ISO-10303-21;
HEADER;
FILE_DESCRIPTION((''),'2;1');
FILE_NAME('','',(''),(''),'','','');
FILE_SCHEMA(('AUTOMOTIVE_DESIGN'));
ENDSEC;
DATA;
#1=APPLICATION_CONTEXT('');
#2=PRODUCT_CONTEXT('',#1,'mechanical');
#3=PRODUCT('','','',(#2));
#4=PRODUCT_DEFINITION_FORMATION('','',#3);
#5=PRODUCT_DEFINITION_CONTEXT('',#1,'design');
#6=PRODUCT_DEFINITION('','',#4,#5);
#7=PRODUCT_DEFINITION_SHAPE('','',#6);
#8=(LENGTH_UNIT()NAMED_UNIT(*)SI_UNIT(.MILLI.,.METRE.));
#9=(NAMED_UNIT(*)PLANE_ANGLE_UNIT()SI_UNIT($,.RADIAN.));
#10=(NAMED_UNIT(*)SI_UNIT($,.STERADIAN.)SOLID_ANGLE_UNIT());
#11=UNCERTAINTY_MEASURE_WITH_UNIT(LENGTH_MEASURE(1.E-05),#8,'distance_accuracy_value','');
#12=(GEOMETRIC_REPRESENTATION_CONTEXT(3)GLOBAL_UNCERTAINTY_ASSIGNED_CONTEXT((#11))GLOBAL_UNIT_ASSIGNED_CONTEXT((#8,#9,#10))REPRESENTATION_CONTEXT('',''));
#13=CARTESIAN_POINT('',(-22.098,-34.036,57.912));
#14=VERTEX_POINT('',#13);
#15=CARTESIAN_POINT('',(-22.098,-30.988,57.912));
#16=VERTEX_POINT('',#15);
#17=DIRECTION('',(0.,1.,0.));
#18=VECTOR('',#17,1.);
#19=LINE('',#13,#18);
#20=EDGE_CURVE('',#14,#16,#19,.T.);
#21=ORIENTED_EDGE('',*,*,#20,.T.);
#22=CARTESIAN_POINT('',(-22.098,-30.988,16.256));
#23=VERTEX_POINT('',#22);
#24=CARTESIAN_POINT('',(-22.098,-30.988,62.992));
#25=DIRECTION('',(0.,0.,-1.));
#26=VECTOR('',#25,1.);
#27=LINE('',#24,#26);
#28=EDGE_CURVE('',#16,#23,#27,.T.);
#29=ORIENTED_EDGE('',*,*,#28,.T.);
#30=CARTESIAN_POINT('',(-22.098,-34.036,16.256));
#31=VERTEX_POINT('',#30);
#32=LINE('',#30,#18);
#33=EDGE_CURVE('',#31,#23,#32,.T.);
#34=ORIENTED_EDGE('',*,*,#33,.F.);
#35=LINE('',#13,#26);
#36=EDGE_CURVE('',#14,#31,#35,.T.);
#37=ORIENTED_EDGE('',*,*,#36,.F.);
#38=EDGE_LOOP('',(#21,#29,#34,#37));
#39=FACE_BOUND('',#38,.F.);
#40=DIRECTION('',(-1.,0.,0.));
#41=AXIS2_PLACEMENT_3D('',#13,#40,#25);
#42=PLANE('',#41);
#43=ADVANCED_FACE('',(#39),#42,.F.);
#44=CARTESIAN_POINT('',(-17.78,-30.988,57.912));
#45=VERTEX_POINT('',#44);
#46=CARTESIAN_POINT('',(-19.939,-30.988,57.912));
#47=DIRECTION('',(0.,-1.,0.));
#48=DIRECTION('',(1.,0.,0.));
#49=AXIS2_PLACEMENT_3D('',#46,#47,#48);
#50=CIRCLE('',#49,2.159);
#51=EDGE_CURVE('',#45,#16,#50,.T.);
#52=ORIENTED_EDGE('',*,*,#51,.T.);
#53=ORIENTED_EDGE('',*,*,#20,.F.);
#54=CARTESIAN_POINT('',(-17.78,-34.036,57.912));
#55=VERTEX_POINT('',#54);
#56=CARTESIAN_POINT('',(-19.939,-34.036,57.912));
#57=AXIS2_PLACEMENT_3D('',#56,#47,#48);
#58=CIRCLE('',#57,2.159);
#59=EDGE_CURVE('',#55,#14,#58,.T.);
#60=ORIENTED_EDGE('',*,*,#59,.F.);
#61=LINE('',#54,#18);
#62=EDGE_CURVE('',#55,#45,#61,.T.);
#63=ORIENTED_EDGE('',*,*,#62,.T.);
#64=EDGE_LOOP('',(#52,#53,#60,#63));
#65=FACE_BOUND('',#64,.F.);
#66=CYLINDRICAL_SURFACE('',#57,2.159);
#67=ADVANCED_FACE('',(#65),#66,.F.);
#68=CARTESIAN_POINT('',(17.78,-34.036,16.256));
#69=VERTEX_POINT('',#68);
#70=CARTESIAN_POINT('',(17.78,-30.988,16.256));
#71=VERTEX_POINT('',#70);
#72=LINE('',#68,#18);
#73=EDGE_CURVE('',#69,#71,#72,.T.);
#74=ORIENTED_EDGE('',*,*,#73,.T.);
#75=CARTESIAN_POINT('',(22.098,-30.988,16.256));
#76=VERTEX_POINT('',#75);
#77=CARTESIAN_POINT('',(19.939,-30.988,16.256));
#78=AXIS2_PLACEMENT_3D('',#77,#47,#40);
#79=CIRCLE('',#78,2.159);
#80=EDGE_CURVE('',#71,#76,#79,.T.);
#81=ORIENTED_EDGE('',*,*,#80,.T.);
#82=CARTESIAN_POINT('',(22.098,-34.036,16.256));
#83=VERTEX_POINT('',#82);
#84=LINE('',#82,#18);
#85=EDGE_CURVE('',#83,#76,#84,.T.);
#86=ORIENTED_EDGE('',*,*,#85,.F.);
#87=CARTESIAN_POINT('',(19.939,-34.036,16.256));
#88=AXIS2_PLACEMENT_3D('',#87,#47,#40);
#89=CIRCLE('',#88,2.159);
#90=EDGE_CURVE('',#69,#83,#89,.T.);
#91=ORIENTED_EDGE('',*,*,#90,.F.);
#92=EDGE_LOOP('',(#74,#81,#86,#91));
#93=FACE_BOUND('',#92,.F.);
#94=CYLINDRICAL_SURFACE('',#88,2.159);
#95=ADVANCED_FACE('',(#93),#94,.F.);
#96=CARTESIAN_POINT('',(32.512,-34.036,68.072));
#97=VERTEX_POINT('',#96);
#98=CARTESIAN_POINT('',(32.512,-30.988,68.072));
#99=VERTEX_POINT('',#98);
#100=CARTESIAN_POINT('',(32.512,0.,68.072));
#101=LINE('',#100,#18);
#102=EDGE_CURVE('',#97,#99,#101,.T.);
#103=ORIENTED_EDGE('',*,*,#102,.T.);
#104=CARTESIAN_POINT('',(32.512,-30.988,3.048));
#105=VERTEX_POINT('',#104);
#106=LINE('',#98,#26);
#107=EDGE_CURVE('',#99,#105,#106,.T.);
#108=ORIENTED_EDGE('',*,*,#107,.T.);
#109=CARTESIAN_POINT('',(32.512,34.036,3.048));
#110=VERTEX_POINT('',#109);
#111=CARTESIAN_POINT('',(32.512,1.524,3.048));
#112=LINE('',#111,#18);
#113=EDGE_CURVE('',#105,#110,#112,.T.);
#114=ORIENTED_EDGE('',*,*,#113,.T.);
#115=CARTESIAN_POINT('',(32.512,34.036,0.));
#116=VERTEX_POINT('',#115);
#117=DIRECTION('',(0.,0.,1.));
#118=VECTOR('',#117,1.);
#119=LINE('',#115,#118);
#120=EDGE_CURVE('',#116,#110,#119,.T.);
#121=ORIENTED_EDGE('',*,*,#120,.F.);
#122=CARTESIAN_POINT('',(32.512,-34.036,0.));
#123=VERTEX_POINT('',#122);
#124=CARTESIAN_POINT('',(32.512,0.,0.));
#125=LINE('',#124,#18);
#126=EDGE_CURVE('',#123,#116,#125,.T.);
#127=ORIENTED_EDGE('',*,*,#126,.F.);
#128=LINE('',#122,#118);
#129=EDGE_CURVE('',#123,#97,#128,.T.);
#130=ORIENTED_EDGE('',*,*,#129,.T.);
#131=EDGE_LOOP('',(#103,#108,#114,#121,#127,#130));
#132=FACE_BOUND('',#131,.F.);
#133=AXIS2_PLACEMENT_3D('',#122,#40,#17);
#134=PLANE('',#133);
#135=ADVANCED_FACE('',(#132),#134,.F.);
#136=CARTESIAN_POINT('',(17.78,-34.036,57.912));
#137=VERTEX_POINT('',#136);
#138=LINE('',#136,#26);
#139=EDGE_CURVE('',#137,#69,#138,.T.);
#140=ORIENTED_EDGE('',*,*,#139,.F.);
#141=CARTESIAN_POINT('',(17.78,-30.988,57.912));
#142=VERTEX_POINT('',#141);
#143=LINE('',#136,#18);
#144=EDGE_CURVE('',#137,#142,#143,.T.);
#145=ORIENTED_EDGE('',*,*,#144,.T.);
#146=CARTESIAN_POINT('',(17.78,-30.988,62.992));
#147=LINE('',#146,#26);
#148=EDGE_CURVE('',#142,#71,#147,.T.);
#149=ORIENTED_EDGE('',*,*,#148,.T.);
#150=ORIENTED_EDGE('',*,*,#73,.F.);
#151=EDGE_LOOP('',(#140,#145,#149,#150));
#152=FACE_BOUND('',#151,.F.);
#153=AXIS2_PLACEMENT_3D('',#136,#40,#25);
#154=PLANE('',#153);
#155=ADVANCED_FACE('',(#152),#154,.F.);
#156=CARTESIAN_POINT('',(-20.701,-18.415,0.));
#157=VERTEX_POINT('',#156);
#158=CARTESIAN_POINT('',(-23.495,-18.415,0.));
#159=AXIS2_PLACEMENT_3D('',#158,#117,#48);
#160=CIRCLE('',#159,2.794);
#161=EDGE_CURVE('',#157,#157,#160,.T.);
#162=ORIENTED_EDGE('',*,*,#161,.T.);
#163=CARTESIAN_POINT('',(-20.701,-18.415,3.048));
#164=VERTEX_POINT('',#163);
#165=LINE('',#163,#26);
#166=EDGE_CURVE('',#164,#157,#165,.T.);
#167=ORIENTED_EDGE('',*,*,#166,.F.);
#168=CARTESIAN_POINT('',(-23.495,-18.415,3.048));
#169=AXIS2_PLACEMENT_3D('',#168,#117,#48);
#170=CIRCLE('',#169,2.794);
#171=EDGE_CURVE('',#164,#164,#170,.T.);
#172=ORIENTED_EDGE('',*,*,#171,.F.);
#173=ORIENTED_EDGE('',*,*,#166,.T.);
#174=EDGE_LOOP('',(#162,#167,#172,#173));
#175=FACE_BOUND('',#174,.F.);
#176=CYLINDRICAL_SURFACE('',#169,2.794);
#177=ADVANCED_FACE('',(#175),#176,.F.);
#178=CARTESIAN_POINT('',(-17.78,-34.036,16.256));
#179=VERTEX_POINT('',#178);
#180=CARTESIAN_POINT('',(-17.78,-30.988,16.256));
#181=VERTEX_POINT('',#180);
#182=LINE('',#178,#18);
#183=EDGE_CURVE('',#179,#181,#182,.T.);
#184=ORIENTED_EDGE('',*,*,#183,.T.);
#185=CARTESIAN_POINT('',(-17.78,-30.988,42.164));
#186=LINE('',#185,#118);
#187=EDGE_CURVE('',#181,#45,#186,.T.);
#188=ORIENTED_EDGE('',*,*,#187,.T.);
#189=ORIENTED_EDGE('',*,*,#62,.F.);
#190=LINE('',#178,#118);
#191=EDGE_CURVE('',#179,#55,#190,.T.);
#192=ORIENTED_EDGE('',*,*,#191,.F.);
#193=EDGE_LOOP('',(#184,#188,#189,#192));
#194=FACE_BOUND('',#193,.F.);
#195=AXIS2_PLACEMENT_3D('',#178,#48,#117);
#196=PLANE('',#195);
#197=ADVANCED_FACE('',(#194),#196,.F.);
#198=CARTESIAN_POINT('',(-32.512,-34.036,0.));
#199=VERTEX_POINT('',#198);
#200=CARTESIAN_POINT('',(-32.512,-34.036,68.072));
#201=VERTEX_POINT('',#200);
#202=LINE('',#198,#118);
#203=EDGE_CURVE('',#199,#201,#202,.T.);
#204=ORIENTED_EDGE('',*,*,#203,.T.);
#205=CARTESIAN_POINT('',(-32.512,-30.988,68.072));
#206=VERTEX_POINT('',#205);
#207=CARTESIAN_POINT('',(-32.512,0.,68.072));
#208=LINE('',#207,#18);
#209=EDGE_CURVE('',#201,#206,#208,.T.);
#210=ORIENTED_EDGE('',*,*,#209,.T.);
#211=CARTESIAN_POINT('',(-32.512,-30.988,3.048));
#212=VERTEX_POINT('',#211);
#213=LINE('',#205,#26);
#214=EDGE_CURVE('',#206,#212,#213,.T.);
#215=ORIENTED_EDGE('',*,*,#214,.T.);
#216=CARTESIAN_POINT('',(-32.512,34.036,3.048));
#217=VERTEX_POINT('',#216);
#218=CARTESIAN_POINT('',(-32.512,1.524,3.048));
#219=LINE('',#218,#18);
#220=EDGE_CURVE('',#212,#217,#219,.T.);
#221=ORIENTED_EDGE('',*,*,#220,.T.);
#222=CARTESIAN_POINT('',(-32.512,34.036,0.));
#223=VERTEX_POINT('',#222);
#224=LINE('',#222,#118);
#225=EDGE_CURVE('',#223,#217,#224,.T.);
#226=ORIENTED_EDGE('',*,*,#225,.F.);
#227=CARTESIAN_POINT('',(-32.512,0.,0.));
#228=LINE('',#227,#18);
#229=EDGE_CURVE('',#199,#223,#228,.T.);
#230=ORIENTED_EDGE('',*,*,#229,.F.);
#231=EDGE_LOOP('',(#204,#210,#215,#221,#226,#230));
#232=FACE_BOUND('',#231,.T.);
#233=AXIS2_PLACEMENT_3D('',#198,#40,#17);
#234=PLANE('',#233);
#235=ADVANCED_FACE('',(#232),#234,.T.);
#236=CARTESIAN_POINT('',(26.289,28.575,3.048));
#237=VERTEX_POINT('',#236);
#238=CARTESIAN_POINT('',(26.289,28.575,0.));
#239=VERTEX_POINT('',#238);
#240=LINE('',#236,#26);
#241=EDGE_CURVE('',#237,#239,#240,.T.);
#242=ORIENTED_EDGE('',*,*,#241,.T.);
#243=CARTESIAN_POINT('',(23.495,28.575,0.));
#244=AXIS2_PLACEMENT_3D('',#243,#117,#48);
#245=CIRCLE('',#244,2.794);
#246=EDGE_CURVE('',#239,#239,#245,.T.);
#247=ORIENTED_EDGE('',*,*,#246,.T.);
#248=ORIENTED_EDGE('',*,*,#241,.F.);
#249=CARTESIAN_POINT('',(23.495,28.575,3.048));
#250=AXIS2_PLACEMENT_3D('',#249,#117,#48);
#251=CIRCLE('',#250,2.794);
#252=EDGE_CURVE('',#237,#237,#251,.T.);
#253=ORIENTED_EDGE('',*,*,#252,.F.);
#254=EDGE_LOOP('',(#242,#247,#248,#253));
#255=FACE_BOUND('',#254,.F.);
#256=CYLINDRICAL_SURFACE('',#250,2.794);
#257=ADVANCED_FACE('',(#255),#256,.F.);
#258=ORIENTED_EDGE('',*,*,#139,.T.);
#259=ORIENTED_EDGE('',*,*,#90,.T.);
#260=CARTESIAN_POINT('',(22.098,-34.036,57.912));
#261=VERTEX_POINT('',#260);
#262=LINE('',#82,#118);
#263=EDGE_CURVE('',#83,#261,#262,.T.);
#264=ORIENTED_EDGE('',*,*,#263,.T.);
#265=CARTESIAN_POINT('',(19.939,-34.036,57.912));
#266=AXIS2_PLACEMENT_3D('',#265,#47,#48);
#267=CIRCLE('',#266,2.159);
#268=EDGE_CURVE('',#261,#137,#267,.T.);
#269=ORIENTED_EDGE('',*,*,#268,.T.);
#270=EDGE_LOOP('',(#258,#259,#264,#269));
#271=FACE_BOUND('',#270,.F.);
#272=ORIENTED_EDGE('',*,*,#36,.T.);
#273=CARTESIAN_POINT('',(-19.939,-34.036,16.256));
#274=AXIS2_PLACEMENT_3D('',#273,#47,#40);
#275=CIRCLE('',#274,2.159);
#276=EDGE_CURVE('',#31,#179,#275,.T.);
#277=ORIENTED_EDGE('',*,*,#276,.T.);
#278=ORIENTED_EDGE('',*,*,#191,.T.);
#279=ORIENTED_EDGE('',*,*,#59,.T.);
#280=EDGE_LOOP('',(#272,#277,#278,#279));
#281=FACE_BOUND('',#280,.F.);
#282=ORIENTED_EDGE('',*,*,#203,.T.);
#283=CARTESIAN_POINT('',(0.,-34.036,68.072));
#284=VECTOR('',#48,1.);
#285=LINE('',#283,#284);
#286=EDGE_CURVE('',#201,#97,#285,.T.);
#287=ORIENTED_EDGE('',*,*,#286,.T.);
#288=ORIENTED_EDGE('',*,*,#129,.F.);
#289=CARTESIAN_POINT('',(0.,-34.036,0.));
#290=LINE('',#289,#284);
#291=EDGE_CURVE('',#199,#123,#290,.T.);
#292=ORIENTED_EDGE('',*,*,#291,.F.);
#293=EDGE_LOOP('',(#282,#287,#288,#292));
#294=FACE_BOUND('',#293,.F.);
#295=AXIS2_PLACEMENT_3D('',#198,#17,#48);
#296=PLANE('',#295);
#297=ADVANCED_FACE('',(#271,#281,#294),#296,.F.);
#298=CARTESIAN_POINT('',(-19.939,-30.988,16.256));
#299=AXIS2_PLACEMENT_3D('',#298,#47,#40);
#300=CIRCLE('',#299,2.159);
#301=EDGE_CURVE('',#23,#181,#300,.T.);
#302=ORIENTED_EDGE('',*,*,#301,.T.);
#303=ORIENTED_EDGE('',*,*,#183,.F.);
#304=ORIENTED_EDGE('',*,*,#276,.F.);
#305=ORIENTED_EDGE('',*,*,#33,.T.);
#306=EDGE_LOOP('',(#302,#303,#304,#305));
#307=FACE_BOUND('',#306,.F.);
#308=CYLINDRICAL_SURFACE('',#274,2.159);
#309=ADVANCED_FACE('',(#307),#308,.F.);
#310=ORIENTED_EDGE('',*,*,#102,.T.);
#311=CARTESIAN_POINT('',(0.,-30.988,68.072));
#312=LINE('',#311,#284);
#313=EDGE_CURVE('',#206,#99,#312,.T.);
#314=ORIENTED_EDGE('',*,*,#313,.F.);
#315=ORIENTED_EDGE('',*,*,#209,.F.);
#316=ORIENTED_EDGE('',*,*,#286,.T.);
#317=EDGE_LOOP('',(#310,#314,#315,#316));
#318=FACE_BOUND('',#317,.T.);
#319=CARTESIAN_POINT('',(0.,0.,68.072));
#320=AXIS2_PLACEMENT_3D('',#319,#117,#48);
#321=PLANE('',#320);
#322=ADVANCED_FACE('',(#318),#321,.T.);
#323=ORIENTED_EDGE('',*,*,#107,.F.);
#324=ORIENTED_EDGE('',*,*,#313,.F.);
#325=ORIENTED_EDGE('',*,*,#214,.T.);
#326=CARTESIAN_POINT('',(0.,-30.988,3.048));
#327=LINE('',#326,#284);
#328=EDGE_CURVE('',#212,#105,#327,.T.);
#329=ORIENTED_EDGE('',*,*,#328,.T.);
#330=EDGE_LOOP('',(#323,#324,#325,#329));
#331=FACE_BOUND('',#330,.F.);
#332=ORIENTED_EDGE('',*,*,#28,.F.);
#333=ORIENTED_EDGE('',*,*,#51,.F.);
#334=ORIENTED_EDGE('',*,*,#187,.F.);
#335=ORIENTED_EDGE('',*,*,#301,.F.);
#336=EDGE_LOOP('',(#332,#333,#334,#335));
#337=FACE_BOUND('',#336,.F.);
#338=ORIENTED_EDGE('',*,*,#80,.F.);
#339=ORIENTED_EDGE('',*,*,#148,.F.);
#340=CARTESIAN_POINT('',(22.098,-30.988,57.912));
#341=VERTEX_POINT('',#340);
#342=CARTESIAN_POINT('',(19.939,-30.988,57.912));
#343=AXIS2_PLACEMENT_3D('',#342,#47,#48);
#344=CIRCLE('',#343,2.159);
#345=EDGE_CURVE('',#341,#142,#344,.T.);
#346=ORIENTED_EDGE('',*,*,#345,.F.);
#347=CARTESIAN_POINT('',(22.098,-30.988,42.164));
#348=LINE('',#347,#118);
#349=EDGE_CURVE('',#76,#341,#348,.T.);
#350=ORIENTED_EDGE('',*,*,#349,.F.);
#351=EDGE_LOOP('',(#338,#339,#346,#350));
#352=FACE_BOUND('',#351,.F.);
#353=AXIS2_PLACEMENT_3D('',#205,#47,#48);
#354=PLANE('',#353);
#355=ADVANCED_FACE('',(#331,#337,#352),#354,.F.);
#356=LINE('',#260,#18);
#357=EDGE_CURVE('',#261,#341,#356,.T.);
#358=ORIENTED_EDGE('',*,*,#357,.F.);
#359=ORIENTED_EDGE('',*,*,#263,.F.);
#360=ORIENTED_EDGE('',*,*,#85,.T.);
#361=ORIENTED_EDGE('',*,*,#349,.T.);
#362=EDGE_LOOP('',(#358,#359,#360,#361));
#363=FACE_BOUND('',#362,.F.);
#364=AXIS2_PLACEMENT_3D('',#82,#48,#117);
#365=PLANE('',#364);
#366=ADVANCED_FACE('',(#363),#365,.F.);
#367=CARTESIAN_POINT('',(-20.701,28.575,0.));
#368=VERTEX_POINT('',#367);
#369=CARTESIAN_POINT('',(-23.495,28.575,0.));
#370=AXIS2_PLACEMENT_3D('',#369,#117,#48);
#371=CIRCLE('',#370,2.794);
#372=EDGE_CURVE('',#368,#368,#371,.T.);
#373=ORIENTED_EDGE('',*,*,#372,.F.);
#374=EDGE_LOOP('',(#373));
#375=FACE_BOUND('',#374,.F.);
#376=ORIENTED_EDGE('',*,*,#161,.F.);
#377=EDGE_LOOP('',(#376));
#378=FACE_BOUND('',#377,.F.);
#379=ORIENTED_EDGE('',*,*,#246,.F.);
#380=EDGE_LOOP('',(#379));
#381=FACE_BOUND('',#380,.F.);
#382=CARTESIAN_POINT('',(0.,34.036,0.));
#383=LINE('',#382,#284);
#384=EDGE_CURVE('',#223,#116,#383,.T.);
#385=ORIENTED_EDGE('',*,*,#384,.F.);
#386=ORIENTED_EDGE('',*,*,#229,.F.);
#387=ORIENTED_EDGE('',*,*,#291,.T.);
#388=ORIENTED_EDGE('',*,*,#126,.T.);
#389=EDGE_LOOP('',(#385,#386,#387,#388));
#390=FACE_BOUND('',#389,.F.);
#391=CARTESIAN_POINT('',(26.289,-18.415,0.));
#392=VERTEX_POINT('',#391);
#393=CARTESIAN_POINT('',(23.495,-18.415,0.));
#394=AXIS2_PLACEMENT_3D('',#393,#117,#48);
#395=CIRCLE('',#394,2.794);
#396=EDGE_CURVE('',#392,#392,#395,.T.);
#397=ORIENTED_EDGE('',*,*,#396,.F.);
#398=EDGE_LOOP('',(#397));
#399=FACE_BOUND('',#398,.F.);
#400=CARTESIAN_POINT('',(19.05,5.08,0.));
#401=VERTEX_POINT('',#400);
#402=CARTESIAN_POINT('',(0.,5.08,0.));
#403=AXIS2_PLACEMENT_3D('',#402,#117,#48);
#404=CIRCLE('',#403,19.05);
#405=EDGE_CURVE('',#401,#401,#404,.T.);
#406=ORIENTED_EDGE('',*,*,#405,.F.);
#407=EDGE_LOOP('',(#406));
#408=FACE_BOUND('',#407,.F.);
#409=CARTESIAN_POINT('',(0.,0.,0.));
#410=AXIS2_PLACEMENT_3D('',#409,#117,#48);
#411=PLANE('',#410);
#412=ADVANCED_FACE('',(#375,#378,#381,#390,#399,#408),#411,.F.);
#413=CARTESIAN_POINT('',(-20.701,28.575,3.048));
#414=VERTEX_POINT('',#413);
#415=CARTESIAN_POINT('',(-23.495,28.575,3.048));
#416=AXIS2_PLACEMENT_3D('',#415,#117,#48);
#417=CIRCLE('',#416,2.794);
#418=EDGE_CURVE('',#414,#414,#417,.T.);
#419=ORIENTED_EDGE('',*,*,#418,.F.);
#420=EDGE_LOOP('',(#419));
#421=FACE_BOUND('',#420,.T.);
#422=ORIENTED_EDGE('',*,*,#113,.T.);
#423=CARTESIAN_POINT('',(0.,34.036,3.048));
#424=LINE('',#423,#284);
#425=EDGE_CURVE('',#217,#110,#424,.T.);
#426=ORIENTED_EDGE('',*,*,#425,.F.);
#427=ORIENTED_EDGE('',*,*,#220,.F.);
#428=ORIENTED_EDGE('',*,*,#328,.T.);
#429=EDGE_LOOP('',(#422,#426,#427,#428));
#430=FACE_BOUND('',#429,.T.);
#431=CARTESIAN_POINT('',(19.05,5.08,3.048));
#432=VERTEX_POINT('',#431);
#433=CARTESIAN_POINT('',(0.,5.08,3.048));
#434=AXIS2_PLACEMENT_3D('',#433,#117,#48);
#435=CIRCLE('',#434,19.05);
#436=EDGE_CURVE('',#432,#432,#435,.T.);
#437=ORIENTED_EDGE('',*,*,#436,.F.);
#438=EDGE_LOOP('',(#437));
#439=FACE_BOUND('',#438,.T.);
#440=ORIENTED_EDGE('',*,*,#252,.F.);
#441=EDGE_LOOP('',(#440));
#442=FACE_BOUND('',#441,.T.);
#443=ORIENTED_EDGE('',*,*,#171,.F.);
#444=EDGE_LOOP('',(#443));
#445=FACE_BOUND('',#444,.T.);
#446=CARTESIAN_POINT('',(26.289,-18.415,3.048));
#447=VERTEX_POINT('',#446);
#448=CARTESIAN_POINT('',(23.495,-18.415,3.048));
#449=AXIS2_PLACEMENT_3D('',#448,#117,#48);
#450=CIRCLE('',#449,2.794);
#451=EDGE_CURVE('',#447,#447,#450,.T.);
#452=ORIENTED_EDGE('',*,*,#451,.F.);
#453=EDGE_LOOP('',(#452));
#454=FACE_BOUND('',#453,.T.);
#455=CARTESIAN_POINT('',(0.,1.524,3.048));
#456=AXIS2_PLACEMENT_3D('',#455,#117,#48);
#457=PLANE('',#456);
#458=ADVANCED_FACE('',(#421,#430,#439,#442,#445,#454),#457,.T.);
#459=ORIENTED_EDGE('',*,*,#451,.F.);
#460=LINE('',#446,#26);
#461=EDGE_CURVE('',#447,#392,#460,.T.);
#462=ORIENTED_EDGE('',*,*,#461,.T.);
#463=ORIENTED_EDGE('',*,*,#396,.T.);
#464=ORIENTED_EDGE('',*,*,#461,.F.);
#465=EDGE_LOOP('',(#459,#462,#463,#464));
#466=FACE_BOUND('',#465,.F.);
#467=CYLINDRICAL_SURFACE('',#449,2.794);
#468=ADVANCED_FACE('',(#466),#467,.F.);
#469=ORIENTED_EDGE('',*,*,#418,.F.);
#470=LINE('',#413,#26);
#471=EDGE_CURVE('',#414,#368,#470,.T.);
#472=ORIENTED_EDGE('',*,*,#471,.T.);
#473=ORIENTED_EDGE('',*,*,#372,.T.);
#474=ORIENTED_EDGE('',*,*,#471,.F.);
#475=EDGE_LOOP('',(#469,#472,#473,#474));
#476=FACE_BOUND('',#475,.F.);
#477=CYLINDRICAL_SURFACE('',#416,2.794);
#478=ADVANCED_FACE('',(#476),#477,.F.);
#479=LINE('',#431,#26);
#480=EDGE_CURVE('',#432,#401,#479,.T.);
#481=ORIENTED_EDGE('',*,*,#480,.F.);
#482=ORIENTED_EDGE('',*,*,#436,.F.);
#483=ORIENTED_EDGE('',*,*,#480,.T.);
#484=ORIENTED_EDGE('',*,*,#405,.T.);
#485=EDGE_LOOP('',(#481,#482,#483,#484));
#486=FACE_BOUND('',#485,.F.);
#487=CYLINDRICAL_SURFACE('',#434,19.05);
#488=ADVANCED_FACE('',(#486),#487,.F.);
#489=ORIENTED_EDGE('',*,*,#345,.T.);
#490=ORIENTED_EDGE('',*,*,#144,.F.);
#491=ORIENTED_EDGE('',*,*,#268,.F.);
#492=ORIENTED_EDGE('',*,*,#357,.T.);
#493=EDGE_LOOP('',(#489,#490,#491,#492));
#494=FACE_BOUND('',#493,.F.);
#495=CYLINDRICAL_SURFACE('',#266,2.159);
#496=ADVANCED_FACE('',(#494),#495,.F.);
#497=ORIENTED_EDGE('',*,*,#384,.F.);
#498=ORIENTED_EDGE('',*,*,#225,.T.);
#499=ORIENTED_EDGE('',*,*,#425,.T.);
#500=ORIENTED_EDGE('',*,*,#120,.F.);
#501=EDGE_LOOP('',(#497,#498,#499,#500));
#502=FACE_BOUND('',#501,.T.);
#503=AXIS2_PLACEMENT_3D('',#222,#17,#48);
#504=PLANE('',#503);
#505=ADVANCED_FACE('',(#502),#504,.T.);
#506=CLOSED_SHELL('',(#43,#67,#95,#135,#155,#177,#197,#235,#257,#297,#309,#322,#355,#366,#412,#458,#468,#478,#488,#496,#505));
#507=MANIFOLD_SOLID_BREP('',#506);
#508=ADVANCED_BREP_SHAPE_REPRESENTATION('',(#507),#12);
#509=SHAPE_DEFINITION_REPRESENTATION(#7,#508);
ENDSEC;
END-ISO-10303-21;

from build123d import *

# Parameters (mm, degrees)
F0_W     = 65.024
F0_H     = 68.072
F1_DEPTH = 68.072
F2_W     = 65.024
F2_H     = 65.024
F3_DEPTH = 65.024
F4_R     = 19.05
F4_R_2   = 2.794
F5_DEPTH = 3.049
F7_DEPTH = 68.073


with BuildPart() as f1:
    # F0 (on Top) → F1 (new body)
    with BuildSketch(Plane.XY):
        Rectangle(F0_W, F0_H)
    extrude(amount=F1_DEPTH)

    # F2 (on face) → F3 (cut)
    with BuildSketch(Plane.XY.offset(68.072)):
        with Locations((0, 1.524)):
            Rectangle(F2_W, F2_H)
    extrude(amount=-F3_DEPTH, mode=Mode.SUBTRACT)

    # F4 (on face) → F5 (cut, through all)
    with BuildSketch(Plane.XY.offset(3.048)):
        with Locations((0, 5.08)):
            Circle(F4_R)
        with Locations((-23.495, 28.575)):
            Circle(F4_R_2)
        with Locations((23.495, 28.575)):
            Circle(F4_R_2)
        with Locations((23.495, -18.415)):
            Circle(F4_R_2)
        with Locations((-23.495, -18.415)):
            Circle(F4_R_2)
    extrude(amount=-F5_DEPTH, mode=Mode.SUBTRACT)

    # F6 (on face) → F7 (cut, through all)
    with BuildSketch(Plane.XZ.offset(34.036)):
        with BuildLine():
            ThreePointArc((-17.78, 57.912), (-19.939, 60.071), (-22.098, 57.912))
            Line((-22.098, 57.912), (-22.098, 16.256))
            ThreePointArc((-22.098, 16.256), (-19.939, 14.097), (-17.78, 16.256))
            Line((-17.78, 16.256), (-17.78, 57.912))
        make_face()
        with BuildLine():
            ThreePointArc((22.098, 57.912), (19.939, 60.071), (17.78, 57.912))
            Line((17.78, 57.912), (17.78, 16.256))
            ThreePointArc((17.78, 16.256), (19.939, 14.097), (22.098, 16.256))
            Line((22.098, 16.256), (22.098, 57.912))
        make_face()
    extrude(amount=-F7_DEPTH, mode=Mode.SUBTRACT)


solid = f1.part
